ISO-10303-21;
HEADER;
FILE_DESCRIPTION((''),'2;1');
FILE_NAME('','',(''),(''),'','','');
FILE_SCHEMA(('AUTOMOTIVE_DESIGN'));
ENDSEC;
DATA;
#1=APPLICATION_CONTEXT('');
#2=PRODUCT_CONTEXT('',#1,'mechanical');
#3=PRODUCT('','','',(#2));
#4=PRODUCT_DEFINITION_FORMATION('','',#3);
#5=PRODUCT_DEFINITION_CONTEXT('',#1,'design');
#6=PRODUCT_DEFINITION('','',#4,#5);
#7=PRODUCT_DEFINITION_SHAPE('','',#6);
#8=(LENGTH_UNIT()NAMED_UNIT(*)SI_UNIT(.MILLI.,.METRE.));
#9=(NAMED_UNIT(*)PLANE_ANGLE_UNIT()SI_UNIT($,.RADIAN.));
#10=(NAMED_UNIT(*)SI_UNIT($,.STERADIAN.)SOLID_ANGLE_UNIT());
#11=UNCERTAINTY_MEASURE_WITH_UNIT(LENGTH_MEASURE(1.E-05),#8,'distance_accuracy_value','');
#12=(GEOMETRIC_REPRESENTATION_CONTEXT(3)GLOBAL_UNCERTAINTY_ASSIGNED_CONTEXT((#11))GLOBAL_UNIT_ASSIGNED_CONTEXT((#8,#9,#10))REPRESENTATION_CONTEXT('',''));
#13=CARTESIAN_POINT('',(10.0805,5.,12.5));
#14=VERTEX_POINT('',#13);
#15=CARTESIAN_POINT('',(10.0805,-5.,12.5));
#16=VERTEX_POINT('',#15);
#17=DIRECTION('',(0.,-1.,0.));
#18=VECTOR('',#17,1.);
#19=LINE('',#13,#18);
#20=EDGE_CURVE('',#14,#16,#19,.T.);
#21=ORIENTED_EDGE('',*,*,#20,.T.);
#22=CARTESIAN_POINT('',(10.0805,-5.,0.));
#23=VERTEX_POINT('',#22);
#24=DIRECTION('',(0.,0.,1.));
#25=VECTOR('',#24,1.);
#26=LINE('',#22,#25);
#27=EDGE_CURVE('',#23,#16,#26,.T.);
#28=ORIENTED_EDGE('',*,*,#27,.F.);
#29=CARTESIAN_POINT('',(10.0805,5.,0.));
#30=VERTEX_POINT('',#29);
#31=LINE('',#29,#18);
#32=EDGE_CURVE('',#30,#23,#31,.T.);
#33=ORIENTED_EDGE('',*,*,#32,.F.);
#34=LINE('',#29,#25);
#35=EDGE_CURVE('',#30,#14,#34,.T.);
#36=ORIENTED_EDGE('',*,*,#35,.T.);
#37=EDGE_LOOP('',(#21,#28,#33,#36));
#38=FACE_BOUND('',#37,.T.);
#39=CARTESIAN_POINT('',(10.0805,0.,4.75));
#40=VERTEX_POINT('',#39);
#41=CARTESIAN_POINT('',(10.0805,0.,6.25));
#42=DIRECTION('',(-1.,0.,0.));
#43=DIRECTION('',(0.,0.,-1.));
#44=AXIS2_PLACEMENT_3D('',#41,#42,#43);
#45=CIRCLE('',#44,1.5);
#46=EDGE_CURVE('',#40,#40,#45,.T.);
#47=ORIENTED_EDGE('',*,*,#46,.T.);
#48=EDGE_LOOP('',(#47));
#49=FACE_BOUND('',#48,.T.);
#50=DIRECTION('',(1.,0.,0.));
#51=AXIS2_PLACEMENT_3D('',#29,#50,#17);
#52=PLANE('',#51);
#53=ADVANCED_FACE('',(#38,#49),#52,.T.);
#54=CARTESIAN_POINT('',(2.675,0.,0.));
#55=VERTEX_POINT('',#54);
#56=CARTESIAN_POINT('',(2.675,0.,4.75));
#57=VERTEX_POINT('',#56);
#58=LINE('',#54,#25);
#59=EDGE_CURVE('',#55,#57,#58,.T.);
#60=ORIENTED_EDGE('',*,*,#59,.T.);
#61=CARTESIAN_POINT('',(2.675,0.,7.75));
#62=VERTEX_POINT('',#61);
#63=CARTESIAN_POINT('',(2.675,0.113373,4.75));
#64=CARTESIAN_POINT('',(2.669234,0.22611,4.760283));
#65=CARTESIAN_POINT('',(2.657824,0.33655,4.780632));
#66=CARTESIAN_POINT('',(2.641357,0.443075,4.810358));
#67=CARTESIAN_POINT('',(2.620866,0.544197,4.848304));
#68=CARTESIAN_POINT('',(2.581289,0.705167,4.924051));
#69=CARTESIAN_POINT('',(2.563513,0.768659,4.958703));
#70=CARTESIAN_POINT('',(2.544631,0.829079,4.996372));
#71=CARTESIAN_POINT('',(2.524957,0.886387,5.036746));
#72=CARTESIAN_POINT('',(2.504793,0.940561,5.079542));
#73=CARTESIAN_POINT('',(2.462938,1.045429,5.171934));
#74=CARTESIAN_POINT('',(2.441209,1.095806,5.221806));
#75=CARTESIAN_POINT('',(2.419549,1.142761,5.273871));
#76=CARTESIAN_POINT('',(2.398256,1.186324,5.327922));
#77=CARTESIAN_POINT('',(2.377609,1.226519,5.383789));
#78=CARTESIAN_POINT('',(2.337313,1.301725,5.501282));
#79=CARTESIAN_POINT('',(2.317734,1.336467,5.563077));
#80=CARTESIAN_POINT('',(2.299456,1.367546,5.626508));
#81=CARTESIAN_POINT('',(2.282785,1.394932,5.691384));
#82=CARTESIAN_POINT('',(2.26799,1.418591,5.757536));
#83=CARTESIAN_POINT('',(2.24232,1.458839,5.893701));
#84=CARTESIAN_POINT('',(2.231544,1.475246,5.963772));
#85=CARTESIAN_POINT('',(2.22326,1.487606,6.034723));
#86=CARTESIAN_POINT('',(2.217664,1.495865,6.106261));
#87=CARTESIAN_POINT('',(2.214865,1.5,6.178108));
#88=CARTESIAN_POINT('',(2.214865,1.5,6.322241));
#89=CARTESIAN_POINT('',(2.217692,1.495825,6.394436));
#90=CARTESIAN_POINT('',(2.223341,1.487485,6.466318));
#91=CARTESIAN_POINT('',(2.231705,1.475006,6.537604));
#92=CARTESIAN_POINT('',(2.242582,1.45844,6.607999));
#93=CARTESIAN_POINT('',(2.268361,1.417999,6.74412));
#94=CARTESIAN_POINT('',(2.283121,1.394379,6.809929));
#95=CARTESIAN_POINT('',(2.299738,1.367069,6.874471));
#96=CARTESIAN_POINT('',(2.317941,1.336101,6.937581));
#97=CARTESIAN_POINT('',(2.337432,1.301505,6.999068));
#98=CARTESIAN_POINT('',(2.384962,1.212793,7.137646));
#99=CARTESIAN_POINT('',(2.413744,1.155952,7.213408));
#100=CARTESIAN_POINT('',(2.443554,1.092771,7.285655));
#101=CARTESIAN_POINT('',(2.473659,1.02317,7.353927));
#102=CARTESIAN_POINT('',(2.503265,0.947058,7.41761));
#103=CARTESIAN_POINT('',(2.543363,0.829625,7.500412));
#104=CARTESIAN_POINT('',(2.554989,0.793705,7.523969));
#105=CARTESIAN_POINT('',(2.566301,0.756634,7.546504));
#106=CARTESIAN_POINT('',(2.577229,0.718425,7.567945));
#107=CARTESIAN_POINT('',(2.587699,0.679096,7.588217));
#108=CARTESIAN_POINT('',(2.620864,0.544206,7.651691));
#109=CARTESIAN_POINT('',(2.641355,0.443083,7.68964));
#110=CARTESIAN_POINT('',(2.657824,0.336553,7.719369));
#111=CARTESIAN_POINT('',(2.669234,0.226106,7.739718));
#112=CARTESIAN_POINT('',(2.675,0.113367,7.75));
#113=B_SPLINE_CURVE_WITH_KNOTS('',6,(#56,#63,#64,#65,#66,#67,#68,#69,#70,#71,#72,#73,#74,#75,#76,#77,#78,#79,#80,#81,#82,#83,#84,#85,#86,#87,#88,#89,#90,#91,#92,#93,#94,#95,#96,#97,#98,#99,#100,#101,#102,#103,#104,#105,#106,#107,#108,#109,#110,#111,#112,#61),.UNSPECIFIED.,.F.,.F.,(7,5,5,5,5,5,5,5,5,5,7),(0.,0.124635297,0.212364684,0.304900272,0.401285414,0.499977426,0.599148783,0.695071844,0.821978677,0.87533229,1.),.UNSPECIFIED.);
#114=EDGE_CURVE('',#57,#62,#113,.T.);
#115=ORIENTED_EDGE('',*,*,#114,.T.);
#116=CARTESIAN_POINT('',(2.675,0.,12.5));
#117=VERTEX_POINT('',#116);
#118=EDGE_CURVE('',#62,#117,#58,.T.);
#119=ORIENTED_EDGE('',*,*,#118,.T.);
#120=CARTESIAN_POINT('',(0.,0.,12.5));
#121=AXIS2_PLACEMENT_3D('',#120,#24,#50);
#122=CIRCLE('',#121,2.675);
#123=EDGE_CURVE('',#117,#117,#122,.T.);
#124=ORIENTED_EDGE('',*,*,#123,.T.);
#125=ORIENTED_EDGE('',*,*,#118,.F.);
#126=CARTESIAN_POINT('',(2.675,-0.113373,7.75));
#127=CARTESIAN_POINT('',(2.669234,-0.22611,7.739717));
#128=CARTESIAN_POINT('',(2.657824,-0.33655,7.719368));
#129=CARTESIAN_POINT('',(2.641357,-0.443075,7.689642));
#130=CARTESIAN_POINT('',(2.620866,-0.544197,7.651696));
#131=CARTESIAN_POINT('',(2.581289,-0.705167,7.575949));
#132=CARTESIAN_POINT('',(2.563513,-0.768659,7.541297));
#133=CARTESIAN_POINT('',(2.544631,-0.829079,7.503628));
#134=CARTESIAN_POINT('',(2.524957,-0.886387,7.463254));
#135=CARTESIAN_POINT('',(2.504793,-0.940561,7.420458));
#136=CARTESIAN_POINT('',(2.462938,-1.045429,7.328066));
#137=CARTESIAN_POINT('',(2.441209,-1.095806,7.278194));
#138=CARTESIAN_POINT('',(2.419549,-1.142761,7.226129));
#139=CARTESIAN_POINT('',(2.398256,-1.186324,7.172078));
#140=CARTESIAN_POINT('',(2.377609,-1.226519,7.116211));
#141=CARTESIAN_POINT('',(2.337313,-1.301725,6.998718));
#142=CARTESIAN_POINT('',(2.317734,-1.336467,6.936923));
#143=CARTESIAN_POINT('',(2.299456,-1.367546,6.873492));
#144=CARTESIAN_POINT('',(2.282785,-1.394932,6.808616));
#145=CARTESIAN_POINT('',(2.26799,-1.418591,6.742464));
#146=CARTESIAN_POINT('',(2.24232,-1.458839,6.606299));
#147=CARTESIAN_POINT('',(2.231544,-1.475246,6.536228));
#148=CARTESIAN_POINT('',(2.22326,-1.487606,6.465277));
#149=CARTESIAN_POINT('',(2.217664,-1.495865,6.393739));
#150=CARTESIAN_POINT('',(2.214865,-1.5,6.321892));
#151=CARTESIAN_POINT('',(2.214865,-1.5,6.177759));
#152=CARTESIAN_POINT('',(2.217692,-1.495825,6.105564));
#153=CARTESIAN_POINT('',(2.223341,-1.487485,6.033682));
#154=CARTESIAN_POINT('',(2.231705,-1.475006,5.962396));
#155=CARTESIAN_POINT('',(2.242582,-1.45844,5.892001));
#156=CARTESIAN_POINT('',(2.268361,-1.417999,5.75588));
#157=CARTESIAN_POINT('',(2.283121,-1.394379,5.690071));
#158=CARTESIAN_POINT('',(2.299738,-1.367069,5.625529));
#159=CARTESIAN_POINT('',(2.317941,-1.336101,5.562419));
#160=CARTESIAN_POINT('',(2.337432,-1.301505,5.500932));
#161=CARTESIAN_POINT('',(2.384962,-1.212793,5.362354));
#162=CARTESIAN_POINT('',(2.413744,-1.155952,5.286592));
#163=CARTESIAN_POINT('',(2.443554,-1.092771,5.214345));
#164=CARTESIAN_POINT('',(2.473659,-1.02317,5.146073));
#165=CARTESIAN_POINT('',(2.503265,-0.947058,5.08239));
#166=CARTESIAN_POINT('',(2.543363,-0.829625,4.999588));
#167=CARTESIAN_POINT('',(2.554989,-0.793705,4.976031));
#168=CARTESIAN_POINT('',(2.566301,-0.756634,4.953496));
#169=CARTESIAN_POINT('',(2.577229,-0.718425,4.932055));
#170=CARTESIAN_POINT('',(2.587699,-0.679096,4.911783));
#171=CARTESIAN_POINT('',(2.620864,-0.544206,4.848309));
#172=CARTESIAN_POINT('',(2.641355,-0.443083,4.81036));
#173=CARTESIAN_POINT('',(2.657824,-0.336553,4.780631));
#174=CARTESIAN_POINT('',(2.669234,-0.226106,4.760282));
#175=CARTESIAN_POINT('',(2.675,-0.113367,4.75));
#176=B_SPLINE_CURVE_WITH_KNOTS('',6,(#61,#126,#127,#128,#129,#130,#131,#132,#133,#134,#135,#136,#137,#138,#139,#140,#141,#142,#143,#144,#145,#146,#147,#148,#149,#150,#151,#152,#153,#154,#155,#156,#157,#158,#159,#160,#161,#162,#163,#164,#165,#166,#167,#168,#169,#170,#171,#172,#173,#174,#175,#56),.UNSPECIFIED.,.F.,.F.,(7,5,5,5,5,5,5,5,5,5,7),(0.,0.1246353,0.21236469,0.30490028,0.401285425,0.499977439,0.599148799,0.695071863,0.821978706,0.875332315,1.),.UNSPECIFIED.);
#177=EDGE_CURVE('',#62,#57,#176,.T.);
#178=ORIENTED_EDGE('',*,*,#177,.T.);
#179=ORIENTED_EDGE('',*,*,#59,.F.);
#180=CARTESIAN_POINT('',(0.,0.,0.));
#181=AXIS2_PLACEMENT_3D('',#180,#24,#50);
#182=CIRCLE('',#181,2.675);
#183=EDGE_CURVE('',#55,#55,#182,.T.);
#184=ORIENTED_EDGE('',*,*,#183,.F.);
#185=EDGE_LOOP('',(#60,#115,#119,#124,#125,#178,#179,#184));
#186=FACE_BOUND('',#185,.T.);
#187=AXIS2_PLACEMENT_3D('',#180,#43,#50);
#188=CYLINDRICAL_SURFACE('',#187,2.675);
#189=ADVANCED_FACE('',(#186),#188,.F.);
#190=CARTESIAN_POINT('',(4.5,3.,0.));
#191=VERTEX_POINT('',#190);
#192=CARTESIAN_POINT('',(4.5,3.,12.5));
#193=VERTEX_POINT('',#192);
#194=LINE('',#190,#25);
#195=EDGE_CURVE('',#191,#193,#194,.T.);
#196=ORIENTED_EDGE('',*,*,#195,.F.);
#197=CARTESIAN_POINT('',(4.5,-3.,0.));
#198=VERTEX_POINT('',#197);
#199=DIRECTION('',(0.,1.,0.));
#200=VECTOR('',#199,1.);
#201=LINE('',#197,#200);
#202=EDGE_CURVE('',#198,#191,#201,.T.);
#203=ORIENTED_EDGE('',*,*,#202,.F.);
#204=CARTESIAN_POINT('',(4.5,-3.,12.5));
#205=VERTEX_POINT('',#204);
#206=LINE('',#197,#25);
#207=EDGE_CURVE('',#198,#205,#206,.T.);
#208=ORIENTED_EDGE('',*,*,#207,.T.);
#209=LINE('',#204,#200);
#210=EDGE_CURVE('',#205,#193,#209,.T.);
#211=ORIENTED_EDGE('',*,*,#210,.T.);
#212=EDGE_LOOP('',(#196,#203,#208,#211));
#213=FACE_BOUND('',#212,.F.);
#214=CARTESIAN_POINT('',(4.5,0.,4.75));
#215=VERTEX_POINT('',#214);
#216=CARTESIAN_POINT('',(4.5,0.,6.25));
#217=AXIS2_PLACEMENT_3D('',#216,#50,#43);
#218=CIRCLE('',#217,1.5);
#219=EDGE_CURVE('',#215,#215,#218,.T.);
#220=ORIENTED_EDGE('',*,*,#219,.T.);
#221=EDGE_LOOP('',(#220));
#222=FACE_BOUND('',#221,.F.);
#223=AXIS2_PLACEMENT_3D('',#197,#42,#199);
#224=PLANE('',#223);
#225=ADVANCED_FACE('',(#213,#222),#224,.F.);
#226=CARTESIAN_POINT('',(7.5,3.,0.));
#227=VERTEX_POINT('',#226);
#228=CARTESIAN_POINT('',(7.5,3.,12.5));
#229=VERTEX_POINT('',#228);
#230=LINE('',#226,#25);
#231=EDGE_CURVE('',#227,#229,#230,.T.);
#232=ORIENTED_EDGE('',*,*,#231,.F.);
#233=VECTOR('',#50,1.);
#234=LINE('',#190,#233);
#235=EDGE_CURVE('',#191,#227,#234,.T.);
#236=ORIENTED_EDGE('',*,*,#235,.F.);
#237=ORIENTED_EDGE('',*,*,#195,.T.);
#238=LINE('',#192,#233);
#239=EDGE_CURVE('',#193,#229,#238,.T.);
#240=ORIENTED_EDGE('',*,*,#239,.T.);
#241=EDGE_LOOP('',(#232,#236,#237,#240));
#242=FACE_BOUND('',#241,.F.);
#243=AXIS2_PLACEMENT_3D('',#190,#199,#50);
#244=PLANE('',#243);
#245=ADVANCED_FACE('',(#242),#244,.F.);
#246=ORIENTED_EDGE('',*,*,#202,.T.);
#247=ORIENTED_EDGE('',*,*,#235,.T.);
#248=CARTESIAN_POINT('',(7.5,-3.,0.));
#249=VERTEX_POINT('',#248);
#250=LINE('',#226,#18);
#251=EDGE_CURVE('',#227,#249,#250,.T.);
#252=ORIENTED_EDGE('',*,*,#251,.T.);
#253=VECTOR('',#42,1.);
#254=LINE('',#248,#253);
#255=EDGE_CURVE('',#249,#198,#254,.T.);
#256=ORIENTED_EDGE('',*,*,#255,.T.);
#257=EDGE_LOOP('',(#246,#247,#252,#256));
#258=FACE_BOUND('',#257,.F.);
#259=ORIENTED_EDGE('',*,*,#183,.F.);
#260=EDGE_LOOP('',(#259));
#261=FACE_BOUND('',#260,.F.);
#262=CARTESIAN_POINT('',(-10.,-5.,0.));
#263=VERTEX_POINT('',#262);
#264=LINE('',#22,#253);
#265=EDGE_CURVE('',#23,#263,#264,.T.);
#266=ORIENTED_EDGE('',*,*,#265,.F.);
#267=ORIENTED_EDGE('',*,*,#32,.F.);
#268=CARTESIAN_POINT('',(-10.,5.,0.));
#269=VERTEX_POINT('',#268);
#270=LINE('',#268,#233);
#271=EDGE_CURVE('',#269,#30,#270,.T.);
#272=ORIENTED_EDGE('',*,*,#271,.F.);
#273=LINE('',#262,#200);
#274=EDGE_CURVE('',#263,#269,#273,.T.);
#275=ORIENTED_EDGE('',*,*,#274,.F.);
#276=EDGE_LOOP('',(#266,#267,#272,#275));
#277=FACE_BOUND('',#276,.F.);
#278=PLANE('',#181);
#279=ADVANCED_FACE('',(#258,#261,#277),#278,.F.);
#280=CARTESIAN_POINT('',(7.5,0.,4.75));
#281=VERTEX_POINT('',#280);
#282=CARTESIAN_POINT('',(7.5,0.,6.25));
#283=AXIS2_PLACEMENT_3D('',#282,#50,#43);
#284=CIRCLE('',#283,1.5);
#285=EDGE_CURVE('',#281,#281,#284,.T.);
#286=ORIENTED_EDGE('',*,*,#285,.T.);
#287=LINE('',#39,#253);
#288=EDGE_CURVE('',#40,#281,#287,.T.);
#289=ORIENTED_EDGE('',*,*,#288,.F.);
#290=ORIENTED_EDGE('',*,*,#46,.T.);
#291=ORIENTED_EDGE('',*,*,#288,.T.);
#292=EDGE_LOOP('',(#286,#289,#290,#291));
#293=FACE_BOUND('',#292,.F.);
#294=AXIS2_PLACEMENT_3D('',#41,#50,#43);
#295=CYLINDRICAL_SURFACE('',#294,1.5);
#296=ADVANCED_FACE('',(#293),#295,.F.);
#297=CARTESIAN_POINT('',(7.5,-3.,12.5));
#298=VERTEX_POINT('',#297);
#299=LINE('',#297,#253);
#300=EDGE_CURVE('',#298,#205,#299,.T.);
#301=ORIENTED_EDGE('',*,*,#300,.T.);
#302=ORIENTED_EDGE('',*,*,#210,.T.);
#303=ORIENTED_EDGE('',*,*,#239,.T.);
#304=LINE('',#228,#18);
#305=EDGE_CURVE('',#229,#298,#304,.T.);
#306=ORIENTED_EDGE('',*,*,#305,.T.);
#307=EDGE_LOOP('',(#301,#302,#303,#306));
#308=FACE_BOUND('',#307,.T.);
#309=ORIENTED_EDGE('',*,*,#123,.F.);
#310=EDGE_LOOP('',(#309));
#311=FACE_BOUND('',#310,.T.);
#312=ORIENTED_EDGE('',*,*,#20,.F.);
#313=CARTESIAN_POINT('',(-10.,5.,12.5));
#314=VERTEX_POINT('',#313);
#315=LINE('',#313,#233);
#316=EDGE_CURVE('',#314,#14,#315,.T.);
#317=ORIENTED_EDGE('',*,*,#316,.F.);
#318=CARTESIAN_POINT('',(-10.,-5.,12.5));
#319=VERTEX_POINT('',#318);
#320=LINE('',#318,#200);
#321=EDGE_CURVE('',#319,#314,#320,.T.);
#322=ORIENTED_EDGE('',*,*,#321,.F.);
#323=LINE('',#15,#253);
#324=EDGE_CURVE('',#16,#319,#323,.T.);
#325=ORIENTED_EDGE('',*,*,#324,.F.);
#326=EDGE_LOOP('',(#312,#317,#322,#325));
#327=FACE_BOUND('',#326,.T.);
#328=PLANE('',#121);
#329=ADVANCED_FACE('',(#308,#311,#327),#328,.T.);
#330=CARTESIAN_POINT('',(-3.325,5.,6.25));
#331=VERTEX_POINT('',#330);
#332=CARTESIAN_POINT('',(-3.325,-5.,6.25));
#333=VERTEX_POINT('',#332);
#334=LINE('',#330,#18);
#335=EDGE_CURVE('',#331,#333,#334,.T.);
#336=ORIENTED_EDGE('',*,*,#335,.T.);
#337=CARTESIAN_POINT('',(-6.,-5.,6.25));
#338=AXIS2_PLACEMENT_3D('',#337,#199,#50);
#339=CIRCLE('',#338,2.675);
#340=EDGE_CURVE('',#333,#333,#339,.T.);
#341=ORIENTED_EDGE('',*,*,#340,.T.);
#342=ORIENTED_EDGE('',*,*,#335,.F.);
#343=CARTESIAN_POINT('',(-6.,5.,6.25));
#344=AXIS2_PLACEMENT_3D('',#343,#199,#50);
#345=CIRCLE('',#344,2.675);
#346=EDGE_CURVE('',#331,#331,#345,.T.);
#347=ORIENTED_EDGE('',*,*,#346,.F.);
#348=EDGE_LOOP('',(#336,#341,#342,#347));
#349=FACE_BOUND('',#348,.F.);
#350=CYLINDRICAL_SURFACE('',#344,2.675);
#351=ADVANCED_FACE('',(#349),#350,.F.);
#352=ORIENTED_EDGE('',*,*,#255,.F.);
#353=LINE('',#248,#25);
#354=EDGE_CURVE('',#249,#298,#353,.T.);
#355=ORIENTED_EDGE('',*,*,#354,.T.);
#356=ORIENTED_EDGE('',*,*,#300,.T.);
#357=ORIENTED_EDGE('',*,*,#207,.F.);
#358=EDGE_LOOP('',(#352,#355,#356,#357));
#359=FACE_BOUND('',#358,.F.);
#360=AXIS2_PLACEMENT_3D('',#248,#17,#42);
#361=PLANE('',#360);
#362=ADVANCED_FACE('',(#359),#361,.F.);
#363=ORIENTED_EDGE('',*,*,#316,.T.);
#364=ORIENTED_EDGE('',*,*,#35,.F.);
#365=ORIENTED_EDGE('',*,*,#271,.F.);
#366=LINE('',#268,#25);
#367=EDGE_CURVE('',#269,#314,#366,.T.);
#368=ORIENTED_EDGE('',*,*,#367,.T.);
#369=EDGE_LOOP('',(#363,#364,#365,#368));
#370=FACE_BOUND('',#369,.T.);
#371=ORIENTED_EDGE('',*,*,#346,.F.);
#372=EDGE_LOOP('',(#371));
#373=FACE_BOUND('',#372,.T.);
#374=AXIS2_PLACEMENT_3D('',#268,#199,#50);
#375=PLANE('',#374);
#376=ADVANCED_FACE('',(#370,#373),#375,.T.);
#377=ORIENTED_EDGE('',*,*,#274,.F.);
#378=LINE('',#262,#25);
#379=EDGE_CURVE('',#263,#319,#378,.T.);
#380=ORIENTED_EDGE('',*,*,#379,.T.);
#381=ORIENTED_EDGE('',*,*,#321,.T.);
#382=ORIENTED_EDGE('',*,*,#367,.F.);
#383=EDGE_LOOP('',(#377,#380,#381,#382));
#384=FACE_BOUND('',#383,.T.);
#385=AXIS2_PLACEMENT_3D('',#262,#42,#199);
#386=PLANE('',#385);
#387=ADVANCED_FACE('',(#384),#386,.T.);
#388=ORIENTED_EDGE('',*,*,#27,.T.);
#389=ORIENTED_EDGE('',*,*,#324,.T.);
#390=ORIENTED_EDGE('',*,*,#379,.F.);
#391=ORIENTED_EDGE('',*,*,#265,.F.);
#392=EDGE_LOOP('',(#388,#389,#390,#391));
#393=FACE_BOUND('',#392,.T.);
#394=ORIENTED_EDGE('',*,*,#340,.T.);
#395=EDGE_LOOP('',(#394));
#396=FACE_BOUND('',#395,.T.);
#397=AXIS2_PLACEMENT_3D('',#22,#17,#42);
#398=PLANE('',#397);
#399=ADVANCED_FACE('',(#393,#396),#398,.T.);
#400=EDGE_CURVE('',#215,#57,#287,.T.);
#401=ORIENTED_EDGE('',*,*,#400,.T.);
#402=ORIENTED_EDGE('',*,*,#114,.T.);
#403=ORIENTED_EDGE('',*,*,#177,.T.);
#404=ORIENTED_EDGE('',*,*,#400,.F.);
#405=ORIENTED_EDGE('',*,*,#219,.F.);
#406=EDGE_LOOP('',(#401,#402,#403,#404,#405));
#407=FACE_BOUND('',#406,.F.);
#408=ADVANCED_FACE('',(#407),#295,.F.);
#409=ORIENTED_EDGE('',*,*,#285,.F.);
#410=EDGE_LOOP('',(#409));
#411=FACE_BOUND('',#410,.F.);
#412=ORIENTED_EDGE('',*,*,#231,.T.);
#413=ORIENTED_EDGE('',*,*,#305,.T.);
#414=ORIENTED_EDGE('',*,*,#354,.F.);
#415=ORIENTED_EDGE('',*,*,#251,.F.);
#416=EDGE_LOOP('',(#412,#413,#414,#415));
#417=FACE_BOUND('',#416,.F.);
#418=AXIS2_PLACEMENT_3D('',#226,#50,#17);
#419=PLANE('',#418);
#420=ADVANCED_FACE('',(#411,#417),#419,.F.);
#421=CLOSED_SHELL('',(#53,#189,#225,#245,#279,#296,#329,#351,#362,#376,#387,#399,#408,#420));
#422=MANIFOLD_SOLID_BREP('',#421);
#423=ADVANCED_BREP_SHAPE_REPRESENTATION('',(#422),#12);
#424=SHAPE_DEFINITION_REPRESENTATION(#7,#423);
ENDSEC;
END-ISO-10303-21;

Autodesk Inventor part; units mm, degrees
ref_plane "YZ Plane" through (0, 0, 0) normal (1, 0, 0) x (0, 1, 0)
ref_plane "XZ Plane" through (0, 0, 0) normal (0, 1, 0) x (-1, 0, 0)
ref_plane "XY Plane" through (0, 0, 0) normal (0, 0, 1) x (1, 0, 0)
sketch "Sketch1" plane through (0, 0, 0) normal (0, 0, 1) x (1, 0, 0)
  circle A0 centre (0, 0) radius 2.675
  line L0 (-10, 5) -> (10.0805, 5)
  line L1 (10.0805, 5) -> (10.0805, -5)
  line L2 (10.0805, -5) -> (-10, -5)
  line L3 (-10, -5) -> (-10, 5)
  line L4 (7.5, -3) -> (4.5, -3)
  line L5 (4.5, -3) -> (4.5, 3)
  line L6 (4.5, 3) -> (7.5, 3)
  line L7 (7.5, 3) -> (7.5, -3)
  line L8 (7.5, -3) -> (4.5, 3) construction
  line L9 (4.5, -3) -> (7.5, 3) construction
  point P0 (6, 0)
  dimension "d0" = 5.35
  dimension "d1" = 5
  dimension "d2" = 5
  dimension "d3" = 10
  dimension "d4" = 3
  dimension "d5" = 6
  dimension "d6" = 6
extrude "Extrusion1" add sketch "Sketch1" along normal blind 12.5
sketch "Sketch2" plane through (10.0805, -5, 0) normal (1, 0, 0) x (0, 0, -1)
  point P0 (0, 5)
sketch "Sketch3" plane through (10.0805, -5, 0) normal (1, 0, 0) x (0, 0, -1)
  line L0 (-12.5, 2.325) -> (0, 2.325) projected
  line L1 (-12.5, 2.325) -> (0, 7.675)
  line L2 (-12.5, 7.675) -> (0, 7.675) projected
  circle A0 centre (-6.25, 5) radius 1.5
  point P0 (0, 5)
  dimension "d9" = 3
extrude "Extrusion2" cut sketch "Sketch3" against normal blind 10.25
sketch "Sketch4" plane through (-10, 5, 0) normal (0, 1, 0) x (1, 0, 0)
  circle A0 centre (4, -6.25) radius 2.675
  line L0 (0, 0) -> (0, -12.5) projected
  point P0 (10, 0)
  dimension "d12" = 5.35
  dimension "d13" = 4
extrude "Extrusion3" cut sketch "Sketch4" against normal blind 14
properties part number "CentralStabalizerShaft"
